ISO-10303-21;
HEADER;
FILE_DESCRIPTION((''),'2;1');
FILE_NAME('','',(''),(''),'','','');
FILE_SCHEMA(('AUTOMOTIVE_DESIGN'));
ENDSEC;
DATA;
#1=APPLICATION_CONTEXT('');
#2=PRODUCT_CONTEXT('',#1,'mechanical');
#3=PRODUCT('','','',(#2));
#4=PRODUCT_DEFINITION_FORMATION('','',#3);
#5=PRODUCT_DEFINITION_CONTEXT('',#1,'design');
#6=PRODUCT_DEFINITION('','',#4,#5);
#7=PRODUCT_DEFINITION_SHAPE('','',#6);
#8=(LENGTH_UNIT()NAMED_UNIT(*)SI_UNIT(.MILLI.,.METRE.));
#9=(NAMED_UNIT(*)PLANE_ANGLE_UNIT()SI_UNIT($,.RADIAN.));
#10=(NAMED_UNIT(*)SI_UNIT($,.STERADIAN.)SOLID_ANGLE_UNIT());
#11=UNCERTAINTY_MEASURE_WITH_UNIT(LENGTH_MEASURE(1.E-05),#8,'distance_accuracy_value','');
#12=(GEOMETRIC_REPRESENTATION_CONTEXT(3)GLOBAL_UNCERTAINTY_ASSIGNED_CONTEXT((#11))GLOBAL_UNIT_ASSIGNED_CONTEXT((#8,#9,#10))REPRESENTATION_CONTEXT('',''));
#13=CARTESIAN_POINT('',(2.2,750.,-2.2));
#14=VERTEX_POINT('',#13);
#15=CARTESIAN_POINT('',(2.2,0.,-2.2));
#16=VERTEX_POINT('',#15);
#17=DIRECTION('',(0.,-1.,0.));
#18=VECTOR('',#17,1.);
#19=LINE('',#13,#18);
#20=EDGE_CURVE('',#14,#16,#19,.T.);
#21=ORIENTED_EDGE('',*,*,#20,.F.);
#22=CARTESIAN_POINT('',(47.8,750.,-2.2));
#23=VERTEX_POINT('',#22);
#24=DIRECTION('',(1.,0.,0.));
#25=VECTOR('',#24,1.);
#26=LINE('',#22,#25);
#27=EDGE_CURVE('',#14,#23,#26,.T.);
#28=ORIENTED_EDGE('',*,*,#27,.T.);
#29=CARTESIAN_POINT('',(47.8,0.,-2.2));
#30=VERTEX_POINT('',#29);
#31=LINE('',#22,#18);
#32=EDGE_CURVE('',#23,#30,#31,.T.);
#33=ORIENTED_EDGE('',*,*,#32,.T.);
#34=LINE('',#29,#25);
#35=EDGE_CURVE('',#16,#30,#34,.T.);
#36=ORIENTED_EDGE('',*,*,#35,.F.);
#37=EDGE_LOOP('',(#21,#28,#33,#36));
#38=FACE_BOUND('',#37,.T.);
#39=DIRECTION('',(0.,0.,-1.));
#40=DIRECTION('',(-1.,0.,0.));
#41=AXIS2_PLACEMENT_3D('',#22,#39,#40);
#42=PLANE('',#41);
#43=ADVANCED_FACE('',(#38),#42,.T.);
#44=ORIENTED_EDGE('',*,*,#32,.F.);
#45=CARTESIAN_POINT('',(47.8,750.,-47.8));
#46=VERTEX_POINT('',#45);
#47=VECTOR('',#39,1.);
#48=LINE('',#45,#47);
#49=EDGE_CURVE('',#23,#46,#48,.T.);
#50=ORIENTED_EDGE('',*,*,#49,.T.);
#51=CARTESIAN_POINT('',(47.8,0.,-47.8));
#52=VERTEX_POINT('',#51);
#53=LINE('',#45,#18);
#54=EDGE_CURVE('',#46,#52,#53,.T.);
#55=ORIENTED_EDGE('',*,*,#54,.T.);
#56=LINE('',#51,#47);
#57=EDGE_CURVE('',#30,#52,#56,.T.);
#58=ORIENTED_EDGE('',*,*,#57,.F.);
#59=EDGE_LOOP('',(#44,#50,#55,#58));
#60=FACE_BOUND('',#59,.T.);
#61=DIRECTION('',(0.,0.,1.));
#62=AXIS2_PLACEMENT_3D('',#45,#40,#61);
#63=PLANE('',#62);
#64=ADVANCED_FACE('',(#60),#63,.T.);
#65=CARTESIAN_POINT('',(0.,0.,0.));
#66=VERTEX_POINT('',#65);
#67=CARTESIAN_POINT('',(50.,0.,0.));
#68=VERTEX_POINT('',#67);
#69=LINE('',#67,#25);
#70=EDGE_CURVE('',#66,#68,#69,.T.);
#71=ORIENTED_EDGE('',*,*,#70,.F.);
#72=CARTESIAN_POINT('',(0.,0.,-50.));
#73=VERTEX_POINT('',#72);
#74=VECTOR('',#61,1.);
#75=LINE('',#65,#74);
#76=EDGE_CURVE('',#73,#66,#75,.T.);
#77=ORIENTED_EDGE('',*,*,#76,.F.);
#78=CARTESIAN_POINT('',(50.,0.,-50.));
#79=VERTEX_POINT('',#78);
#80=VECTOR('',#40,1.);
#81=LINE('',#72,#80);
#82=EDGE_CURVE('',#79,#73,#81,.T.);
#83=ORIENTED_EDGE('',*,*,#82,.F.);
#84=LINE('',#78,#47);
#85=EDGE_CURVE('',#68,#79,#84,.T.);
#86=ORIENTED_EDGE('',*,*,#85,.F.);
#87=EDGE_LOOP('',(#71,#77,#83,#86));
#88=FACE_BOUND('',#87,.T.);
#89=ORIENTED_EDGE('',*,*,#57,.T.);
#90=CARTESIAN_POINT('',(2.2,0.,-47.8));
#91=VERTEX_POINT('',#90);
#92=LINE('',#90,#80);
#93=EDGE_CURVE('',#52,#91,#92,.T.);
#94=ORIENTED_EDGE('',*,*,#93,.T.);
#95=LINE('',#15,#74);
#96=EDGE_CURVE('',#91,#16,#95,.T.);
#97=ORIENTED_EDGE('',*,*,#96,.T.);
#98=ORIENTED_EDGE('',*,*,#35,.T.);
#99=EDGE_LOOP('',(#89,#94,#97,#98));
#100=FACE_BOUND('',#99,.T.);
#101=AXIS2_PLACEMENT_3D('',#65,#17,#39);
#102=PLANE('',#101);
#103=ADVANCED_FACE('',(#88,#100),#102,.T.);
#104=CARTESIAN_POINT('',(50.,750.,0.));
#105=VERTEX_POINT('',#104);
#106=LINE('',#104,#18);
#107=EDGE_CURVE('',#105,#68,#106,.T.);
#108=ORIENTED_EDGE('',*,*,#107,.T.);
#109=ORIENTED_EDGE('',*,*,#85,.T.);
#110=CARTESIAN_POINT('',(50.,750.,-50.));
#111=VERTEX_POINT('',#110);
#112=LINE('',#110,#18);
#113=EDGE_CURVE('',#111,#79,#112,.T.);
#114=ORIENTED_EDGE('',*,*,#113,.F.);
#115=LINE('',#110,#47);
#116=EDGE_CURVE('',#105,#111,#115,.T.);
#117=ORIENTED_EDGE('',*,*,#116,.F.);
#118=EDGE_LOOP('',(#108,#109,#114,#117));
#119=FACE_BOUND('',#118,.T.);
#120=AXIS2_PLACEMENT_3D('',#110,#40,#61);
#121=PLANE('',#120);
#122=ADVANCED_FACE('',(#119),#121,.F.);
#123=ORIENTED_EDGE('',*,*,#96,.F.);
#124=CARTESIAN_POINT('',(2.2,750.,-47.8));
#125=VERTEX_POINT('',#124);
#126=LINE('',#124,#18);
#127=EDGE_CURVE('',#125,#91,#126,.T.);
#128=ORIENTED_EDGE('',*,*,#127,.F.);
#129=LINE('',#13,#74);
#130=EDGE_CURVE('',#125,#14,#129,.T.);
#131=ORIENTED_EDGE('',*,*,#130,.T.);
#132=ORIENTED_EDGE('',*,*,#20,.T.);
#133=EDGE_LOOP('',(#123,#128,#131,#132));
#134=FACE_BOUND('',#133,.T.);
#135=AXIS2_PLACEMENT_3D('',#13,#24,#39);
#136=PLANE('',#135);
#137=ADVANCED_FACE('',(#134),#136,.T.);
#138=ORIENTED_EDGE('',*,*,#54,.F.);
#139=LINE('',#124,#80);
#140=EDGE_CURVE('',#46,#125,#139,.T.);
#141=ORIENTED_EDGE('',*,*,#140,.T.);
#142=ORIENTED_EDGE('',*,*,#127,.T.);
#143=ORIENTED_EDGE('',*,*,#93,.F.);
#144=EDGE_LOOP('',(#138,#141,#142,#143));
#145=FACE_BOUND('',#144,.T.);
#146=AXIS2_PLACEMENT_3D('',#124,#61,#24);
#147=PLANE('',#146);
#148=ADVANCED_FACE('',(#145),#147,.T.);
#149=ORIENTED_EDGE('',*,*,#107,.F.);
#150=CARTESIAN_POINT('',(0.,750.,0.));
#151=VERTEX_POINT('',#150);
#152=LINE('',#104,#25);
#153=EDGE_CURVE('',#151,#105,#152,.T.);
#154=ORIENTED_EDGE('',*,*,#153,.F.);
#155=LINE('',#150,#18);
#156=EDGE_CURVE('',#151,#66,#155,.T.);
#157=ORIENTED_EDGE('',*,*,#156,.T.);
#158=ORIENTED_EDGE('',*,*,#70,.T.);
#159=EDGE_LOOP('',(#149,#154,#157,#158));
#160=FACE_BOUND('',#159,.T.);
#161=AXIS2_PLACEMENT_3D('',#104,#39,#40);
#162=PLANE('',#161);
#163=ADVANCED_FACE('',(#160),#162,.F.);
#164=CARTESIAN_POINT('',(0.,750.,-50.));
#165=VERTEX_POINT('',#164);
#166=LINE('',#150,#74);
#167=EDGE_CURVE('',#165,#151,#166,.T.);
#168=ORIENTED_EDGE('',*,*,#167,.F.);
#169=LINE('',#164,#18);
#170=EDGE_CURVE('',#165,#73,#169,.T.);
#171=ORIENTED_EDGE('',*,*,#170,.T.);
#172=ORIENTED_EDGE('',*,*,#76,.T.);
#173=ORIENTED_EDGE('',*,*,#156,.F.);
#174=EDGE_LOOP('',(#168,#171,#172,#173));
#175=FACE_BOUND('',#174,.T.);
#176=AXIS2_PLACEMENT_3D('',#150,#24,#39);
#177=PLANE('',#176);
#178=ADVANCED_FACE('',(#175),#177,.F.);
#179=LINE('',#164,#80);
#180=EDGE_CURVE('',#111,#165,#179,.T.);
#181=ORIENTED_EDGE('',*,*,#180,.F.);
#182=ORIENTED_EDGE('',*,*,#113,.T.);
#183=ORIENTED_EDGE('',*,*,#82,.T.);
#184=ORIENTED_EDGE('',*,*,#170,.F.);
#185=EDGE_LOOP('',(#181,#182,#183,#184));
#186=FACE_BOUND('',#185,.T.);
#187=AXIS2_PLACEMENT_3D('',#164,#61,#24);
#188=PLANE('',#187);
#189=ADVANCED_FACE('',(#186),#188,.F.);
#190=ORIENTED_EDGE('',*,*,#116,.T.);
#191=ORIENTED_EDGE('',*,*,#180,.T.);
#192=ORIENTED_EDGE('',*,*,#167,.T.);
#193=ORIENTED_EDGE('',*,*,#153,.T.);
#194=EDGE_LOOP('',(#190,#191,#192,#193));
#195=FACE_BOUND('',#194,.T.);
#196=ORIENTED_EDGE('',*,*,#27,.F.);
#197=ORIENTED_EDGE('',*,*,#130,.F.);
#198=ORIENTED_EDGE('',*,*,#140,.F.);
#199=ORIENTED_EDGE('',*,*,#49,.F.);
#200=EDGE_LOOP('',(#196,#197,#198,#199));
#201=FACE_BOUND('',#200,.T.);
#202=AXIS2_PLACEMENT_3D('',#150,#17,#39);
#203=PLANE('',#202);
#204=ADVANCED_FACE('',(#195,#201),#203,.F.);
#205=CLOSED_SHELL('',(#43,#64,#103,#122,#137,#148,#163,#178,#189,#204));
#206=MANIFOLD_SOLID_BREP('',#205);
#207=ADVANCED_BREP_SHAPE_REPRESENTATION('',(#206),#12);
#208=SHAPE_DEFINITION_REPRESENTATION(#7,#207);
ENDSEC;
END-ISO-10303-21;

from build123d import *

# Parameters (mm, degrees)
SKETCH1_W           = 50
SKETCH1_H           = 50
SKETCH1_W_2         = 45.6
SKETCH1_H_2         = 45.6
BOSS_EXTRUDE1_DEPTH = 750


with BuildPart() as part:
    # Sketch1 → Boss-Extrude1 (new body)
    with BuildSketch(Plane(origin=(0, 0, 0), x_dir=(1, 0, 0), z_dir=(0, 1, 0))):
        with Locations((25, 25)):
            Rectangle(SKETCH1_W, SKETCH1_H)
        with Locations((25, 25)):
            Rectangle(SKETCH1_W_2, SKETCH1_H_2, mode=Mode.SUBTRACT)
    extrude(amount=BOSS_EXTRUDE1_DEPTH)


solid = part.part
